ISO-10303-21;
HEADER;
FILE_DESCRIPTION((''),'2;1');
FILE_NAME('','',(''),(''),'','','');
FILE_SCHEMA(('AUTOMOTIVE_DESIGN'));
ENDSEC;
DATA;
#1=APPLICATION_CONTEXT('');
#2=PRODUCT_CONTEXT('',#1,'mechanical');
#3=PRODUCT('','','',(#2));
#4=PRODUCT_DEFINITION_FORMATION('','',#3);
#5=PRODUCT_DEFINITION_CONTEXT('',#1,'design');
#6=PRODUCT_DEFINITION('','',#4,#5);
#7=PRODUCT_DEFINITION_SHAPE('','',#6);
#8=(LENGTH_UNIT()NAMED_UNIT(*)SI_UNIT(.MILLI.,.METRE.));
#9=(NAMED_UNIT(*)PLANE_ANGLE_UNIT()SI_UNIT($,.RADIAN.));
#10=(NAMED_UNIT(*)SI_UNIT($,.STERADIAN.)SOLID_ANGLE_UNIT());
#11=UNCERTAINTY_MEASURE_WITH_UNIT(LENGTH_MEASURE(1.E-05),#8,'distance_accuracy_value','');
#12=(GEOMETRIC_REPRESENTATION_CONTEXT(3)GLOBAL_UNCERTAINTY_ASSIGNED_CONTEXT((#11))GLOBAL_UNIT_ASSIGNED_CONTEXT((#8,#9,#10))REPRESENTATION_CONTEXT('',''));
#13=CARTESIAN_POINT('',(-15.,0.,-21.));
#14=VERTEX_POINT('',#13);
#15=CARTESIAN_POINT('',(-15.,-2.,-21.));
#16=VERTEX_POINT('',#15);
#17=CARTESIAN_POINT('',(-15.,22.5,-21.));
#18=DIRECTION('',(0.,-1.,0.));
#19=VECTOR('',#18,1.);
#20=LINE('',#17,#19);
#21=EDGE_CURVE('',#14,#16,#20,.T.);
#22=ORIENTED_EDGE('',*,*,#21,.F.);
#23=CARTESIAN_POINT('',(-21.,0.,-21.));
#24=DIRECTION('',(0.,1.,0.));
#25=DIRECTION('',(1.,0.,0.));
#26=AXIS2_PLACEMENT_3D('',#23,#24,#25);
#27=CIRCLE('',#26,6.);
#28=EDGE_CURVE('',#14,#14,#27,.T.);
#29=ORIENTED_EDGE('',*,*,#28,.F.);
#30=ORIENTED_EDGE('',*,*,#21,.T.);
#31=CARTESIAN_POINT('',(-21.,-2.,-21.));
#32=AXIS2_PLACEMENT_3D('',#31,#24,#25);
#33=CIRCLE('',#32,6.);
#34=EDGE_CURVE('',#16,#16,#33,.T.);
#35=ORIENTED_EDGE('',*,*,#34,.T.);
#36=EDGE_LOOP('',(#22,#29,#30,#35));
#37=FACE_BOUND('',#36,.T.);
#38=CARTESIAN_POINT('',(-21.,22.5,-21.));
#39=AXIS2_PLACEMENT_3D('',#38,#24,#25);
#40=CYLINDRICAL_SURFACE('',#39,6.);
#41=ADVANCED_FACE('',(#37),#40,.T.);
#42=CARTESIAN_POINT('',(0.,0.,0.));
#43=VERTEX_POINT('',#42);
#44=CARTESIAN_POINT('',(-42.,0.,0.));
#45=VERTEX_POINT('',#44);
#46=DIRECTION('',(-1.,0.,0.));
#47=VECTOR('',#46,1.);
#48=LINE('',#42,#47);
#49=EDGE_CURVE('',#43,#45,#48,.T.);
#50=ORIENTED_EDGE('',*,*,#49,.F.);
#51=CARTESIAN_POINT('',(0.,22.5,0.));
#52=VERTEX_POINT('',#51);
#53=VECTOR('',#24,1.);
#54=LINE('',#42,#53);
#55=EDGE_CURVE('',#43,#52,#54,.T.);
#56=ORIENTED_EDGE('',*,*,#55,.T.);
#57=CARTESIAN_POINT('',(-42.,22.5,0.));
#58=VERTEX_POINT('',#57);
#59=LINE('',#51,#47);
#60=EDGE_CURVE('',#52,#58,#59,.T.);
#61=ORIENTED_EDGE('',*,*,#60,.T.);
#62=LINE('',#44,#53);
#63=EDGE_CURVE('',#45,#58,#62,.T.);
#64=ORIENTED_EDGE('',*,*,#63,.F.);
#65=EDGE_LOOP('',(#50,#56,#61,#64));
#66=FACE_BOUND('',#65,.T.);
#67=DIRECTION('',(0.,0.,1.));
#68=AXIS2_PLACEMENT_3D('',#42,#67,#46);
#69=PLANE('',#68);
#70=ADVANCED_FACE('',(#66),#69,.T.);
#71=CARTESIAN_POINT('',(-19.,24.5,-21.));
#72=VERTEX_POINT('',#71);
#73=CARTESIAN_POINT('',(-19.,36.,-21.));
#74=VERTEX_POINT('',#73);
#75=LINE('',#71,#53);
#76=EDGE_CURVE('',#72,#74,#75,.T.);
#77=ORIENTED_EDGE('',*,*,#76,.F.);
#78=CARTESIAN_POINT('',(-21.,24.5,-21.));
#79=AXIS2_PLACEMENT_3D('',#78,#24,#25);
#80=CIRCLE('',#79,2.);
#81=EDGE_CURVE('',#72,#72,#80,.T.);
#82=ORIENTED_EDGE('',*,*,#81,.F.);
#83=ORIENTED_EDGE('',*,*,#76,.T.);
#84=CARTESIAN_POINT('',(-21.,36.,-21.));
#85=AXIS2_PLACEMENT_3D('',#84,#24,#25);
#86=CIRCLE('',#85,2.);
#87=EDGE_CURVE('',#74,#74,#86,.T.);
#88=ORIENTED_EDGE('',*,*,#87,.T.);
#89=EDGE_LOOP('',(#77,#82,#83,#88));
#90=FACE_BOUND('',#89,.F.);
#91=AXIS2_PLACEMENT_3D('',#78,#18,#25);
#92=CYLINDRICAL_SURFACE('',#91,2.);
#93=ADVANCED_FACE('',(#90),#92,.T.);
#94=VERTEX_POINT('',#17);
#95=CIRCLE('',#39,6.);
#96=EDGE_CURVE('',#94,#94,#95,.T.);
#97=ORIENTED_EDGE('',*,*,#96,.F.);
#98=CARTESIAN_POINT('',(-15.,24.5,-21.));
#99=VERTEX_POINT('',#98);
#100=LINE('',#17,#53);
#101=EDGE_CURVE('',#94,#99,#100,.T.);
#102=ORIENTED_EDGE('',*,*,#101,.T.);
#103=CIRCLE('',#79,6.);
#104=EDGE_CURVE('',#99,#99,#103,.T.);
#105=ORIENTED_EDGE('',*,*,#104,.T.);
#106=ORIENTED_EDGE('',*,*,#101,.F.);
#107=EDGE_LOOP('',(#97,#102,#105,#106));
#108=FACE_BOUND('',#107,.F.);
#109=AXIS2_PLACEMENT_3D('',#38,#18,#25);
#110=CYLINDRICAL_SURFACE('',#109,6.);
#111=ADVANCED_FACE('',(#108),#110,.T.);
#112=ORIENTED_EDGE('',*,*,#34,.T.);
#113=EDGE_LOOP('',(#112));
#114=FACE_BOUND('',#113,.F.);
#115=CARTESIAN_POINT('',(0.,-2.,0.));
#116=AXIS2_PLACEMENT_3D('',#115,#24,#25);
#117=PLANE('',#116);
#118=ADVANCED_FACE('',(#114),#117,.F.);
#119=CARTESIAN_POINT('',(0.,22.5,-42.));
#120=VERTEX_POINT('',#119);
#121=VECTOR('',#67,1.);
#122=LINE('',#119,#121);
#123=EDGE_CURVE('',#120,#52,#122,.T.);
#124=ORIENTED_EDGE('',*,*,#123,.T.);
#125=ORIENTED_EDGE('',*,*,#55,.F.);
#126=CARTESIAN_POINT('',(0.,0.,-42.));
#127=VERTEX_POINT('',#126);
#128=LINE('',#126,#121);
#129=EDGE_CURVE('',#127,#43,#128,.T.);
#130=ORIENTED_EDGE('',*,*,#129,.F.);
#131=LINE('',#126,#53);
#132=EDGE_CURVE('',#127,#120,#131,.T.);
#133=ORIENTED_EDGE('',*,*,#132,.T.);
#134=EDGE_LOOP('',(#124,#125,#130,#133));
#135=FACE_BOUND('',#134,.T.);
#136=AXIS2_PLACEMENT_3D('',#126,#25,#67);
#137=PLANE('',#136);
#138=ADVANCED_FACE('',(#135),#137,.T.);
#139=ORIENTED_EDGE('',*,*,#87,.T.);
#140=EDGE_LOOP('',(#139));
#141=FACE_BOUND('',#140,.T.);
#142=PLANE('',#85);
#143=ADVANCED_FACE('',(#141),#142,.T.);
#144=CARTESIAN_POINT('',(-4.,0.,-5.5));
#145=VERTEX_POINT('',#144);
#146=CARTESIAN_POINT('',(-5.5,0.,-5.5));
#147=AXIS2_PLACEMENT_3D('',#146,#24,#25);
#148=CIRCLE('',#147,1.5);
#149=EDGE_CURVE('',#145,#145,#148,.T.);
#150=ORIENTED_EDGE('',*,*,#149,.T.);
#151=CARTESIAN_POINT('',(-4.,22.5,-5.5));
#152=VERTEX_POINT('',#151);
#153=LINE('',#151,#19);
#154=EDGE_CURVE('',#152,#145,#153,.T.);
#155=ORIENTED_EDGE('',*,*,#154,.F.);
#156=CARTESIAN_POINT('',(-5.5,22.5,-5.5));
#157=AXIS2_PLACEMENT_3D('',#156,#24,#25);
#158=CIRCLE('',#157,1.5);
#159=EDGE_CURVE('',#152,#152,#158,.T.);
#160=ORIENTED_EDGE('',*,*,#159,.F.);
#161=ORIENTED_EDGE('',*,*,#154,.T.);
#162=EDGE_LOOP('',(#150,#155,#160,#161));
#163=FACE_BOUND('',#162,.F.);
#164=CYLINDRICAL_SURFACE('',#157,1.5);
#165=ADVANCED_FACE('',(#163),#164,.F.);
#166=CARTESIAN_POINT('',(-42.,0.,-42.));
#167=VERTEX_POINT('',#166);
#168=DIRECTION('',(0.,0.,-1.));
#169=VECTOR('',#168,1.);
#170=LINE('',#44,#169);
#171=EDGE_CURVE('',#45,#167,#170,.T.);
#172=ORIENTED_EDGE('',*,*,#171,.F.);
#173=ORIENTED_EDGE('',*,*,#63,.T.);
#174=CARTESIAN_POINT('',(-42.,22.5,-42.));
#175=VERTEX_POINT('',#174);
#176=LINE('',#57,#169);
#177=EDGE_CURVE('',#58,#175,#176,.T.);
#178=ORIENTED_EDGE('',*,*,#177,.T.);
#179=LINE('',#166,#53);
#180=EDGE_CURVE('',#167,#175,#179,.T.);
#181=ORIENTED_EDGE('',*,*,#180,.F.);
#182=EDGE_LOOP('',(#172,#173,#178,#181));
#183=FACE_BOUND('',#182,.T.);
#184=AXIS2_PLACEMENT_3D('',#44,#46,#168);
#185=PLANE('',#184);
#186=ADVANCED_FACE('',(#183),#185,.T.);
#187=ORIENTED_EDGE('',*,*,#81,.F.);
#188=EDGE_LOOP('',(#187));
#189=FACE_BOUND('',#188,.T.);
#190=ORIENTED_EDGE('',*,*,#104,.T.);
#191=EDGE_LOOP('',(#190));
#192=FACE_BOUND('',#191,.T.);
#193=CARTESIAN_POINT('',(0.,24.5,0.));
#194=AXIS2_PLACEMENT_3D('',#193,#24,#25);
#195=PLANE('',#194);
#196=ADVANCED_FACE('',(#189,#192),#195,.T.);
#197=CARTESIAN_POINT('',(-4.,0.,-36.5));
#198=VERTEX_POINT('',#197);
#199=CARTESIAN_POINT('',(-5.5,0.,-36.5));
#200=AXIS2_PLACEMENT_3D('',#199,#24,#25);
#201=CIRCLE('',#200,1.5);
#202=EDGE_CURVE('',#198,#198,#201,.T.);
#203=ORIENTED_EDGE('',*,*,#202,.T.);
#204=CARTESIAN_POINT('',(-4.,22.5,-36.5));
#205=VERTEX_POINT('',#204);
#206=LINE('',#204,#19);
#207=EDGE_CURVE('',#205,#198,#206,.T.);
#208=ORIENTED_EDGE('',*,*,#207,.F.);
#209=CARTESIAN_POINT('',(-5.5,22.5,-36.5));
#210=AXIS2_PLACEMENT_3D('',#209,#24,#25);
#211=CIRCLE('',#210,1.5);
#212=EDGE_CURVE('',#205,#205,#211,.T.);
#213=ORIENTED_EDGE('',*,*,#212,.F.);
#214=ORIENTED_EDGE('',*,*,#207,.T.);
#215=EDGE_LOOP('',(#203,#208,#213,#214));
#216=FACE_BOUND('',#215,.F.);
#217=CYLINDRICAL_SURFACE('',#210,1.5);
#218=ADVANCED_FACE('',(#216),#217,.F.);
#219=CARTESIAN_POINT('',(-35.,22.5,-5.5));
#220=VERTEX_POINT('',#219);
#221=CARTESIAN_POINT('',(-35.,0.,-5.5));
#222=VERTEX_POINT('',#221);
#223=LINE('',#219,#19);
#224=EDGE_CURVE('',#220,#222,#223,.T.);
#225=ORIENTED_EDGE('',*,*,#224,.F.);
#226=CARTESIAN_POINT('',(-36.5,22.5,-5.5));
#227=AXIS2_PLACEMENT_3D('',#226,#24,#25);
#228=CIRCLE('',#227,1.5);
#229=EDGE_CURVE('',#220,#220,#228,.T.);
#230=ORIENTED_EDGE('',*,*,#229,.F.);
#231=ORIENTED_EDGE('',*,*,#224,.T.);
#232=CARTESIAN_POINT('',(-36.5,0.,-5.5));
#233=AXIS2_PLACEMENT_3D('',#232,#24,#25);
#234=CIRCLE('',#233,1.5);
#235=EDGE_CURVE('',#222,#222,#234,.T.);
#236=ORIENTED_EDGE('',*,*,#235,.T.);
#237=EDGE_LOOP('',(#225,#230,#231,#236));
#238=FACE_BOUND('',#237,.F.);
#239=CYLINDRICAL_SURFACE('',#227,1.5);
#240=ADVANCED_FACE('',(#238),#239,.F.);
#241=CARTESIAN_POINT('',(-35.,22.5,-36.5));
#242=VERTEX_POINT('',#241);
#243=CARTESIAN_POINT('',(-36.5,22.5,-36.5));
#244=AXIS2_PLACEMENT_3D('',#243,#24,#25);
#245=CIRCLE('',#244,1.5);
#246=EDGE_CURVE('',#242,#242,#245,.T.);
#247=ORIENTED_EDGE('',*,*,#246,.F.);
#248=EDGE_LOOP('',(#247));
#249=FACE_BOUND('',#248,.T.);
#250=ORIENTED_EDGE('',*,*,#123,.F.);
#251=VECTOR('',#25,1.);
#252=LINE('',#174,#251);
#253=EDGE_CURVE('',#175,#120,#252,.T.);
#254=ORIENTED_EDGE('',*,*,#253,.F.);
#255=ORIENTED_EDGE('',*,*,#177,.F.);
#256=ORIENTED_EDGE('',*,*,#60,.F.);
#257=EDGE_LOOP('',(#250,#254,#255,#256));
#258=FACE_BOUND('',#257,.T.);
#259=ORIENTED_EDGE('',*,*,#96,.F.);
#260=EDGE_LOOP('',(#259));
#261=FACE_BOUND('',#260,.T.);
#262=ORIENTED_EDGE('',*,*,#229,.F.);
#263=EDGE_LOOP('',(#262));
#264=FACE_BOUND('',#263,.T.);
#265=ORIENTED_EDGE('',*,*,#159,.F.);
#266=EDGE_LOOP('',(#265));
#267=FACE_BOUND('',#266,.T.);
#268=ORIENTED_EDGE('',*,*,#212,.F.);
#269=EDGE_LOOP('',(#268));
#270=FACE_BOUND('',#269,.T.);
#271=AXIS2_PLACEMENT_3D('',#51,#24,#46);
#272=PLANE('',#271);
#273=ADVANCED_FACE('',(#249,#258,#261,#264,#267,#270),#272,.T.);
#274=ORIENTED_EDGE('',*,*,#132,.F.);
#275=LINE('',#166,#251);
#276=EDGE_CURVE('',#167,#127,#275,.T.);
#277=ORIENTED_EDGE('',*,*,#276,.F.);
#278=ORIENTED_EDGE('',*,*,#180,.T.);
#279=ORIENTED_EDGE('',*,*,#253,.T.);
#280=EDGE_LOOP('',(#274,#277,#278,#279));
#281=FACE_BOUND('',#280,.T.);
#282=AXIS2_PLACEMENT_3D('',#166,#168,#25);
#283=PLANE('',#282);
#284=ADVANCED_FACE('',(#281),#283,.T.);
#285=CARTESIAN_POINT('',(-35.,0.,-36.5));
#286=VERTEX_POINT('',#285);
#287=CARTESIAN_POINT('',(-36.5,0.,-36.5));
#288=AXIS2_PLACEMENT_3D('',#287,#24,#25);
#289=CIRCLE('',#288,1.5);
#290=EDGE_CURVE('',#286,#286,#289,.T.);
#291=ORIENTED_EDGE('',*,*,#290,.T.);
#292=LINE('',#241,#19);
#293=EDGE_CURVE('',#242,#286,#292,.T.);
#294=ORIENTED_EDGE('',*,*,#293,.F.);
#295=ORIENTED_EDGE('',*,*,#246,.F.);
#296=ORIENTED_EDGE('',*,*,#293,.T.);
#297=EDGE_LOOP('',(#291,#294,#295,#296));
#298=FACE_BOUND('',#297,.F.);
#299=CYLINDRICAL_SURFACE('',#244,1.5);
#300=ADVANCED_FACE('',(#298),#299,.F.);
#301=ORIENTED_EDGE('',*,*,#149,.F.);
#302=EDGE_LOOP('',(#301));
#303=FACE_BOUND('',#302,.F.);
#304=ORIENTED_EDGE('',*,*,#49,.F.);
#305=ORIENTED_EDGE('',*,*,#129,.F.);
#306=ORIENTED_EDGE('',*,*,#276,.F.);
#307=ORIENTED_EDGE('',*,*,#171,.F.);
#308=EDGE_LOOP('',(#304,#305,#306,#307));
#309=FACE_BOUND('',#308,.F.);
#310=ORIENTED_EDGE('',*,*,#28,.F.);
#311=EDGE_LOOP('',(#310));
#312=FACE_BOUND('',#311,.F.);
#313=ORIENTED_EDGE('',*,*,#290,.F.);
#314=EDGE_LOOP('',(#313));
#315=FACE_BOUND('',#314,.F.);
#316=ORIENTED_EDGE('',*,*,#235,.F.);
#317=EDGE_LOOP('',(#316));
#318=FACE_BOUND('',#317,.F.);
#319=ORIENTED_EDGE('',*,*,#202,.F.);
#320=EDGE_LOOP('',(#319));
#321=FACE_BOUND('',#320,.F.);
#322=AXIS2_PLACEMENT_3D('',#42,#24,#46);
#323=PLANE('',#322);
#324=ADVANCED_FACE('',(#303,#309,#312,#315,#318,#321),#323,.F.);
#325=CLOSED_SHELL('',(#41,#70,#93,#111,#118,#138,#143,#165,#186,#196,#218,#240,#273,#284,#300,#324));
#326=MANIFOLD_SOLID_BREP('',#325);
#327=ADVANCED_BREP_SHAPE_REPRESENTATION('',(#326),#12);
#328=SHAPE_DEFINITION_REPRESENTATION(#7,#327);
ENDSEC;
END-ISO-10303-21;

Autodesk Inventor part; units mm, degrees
ref_plane "YZ Plane" through (0, 0, 0) normal (1, 0, 0) x (0, 1, 0)
ref_plane "XZ Plane" through (0, 0, 0) normal (0, 1, 0) x (-1, 0, 0)
ref_plane "XY Plane" through (0, 0, 0) normal (0, 0, 1) x (1, 0, 0)
sketch "Sketch1" plane through (0, 0, 0) normal (0, 1, 0) x (-1, 0, 0)
  line L0 (0, 0) -> (42, 0)
  line L1 (42, 0) -> (42, -42)
  line L2 (42, -42) -> (0, -42)
  line L3 (0, -42) -> (0, 0)
  dimension "d0" = 42
  dimension "d1" = 42
extrude "Extrusion1" add sketch "Sketch1" along normal blind 22.5
sketch "Sketch2" plane through (0, 22.5, 0) normal (0, 1, 0) x (1, 0, 0)
  circle A0 centre (-21, 21) radius 6
  line L0 (-42, 42) -> (-42, 0) projected
  line L1 (-42, 0) -> (0, 0) projected
  point P0 (-42, 21)
  point P1 (-21, 0)
  dimension "d4" = 12
extrude "Extrusion2" add sketch "Sketch2" along normal blind 2 and the other way blind 24.5
sketch "Sketch3" plane through (-21, 24.5, -21) normal (0, 1, 0) x (1, 0, 0)
  circle A0 centre (0, 0) radius 2
  point P0 (21, -21)
  dimension "d7" = 4
extrude "Extrusion3" add sketch "Sketch3" along normal blind 11.5
sketch "Sketch4" plane through (0, 22.5, 0) normal (0, 1, 0) x (1, 0, 0)
  circle A0 centre (-5.5, 5.5) radius 1.5
  circle A1 centre (-36.5, 5.5) radius 1.5
  circle A2 centre (-36.5, 36.5) radius 1.5
  circle A3 centre (-5.5, 36.5) radius 1.5
  line L0 (0, 0) -> (0, 42) projected
  line L1 (0, 42) -> (-42, 42) projected
  line L2 (-42, 42) -> (-42, 0) projected
  line L3 (-42, 0) -> (0, 0) projected
  dimension "d10" = 3
  dimension "d11" = 3
  dimension "d12" = 3
  dimension "d13" = 3
  dimension "d14" = 31
  dimension "d15" = 31
  dimension "d16" = 5.5
  dimension "d17" = 5.5
  dimension "d22" = 31
  dimension "d23" = 31
  dimension "d24" = 5.5
  dimension "d25" = 5.5
  dimension "d26" = 5.5
  dimension "d27" = 5.5
extrude "Extrusion4" cut sketch "Sketch4" against normal up to next contours A0 | A1 | A2 | A3
properties part number "Motor"
